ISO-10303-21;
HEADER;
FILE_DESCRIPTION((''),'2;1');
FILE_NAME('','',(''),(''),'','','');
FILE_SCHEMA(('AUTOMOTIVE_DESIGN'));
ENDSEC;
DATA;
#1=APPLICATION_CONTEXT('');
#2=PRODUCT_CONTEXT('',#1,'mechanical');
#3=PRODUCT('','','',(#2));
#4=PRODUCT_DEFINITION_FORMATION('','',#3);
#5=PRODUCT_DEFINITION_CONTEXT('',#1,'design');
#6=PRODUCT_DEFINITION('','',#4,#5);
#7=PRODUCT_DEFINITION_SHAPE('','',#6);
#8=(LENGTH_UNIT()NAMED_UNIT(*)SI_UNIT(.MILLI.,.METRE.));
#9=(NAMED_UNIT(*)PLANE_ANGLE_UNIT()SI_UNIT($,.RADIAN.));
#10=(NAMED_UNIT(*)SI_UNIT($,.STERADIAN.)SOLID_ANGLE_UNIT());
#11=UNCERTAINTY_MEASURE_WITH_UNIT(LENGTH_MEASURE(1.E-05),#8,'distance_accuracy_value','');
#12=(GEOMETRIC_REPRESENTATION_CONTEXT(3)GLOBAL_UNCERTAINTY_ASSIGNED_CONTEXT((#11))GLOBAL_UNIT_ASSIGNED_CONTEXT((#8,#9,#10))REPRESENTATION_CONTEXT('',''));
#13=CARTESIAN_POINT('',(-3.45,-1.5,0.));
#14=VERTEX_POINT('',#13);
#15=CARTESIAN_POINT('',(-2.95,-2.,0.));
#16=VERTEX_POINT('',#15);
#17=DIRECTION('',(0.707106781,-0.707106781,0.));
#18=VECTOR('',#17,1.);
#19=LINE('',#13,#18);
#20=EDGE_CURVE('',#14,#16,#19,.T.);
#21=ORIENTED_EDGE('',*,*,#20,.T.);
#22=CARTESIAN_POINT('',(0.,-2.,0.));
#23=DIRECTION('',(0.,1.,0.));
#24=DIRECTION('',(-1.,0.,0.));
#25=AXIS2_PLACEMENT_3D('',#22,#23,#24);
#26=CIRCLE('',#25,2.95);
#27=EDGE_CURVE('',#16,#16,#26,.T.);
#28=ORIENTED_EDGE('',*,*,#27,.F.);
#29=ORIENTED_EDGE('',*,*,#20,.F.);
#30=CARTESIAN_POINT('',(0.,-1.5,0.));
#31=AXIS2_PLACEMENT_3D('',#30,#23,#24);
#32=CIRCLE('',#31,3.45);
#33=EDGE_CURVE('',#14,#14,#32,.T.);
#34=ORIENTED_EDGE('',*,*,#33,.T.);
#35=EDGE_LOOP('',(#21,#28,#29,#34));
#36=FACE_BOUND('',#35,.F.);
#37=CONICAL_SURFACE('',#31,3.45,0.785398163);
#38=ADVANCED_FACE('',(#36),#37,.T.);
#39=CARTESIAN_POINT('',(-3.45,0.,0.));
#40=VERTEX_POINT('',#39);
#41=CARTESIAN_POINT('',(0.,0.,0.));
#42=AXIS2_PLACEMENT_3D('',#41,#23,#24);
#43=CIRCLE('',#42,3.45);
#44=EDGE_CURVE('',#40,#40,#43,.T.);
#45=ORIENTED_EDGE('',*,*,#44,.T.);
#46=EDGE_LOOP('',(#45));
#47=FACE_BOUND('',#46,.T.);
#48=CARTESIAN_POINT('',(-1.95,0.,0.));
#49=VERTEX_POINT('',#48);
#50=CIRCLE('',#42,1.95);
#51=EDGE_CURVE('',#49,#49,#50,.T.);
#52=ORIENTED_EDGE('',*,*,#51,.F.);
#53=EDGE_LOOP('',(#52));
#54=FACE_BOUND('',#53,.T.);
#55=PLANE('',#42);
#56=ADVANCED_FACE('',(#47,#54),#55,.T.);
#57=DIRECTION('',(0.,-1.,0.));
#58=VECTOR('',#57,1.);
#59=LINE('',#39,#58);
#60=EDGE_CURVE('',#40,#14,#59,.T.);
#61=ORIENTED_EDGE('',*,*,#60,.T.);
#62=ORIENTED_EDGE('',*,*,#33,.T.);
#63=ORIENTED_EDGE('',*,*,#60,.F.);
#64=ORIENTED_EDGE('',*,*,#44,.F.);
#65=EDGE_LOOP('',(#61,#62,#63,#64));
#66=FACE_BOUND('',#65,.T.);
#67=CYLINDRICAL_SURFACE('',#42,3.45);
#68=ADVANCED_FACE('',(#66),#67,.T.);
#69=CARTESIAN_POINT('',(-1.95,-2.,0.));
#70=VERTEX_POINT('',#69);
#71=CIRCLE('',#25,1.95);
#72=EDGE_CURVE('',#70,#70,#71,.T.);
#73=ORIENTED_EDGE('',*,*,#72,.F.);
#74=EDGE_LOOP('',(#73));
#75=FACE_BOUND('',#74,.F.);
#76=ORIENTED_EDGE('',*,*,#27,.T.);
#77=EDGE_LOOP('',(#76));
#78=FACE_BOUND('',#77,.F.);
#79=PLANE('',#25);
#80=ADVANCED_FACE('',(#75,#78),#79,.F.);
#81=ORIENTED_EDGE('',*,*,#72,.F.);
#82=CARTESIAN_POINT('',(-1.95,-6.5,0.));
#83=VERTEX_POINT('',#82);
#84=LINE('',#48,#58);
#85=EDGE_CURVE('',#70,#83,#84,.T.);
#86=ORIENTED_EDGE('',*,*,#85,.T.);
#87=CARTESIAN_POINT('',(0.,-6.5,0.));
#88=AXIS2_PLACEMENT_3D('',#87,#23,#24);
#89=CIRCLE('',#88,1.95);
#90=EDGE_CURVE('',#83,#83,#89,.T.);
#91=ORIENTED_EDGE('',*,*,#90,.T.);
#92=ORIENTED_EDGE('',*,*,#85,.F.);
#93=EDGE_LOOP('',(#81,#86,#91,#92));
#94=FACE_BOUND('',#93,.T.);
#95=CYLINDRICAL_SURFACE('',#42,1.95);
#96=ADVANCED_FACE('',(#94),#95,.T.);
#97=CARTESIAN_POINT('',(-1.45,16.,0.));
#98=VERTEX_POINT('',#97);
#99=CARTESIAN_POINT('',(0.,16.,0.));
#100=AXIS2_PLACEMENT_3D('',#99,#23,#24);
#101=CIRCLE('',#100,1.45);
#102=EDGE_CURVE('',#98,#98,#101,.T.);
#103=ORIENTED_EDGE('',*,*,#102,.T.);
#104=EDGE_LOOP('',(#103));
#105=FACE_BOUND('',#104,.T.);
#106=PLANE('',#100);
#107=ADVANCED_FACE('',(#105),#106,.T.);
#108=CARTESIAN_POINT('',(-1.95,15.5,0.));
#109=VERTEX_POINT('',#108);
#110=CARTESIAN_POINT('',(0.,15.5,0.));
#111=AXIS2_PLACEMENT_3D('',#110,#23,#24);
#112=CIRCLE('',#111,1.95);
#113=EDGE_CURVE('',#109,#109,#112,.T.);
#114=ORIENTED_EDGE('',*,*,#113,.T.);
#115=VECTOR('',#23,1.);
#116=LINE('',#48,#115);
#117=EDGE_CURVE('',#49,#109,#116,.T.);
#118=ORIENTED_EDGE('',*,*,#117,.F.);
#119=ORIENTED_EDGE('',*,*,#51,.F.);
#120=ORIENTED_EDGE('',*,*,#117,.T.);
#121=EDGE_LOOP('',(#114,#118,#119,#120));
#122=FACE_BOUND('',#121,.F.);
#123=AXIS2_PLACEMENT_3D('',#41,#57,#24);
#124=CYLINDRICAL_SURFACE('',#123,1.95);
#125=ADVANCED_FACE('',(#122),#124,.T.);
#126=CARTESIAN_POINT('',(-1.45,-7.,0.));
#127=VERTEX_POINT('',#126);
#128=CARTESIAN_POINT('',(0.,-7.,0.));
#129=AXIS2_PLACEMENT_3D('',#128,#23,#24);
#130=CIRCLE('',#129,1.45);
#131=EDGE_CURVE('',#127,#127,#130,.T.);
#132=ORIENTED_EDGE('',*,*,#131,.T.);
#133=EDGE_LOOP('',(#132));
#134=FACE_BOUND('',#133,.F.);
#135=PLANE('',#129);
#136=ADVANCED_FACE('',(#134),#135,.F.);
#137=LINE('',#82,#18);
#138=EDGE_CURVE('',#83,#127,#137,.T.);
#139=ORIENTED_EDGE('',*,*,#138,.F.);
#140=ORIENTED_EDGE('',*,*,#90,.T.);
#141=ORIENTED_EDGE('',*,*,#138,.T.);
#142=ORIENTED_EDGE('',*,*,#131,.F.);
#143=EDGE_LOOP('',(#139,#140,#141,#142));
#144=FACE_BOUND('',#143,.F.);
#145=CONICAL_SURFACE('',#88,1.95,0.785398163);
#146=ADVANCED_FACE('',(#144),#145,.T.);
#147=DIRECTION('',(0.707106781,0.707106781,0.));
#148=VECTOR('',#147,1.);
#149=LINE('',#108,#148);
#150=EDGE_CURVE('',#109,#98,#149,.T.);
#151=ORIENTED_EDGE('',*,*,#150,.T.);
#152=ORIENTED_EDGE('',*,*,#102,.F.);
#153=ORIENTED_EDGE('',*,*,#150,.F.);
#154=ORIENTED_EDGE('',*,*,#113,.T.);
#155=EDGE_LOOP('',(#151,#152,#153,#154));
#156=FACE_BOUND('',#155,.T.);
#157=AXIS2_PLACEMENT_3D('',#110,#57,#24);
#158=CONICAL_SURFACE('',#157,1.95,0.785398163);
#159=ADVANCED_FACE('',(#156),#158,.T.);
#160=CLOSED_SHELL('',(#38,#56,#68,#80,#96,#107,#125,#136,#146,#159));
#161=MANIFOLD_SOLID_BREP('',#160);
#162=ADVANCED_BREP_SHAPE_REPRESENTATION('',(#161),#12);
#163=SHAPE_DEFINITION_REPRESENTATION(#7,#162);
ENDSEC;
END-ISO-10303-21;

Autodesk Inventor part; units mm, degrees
ref_plane "YZ Plane" through (0, 0, 0) normal (1, 0, 0) x (0, 1, 0)
ref_plane "XZ Plane" through (0, 0, 0) normal (0, 1, 0) x (-1, 0, 0)
ref_plane "XY Plane" through (0, 0, 0) normal (0, 0, 1) x (1, 0, 0)
sketch "Sketch1" plane through (0, 0, 0) normal (0, 1, 0) x (-1, 0, 0)
  circle A0 centre (0, 0) radius 1.95
  dimension "d0" = 3.9
extrude "Extrusion1" add sketch "Sketch1" along normal blind 16 and the other way blind 7
sketch "Sketch2" plane through (0, 0, 0) normal (0, 1, 0) x (-1, 0, 0)
  circle A0 centre (0, 0) radius 1.95 projected
  circle A1 centre (0, 0) radius 3.45
  dimension "d5" = 1.5
extrude "Extrusion2" add sketch "Sketch2" against normal blind 2
chamfer "Chamfer1" distance 0.5 angle 45 3 edges at (1.95, 16, 0) (1.95, -7, 0) (3.45, -2, 0)
properties part number "button"
